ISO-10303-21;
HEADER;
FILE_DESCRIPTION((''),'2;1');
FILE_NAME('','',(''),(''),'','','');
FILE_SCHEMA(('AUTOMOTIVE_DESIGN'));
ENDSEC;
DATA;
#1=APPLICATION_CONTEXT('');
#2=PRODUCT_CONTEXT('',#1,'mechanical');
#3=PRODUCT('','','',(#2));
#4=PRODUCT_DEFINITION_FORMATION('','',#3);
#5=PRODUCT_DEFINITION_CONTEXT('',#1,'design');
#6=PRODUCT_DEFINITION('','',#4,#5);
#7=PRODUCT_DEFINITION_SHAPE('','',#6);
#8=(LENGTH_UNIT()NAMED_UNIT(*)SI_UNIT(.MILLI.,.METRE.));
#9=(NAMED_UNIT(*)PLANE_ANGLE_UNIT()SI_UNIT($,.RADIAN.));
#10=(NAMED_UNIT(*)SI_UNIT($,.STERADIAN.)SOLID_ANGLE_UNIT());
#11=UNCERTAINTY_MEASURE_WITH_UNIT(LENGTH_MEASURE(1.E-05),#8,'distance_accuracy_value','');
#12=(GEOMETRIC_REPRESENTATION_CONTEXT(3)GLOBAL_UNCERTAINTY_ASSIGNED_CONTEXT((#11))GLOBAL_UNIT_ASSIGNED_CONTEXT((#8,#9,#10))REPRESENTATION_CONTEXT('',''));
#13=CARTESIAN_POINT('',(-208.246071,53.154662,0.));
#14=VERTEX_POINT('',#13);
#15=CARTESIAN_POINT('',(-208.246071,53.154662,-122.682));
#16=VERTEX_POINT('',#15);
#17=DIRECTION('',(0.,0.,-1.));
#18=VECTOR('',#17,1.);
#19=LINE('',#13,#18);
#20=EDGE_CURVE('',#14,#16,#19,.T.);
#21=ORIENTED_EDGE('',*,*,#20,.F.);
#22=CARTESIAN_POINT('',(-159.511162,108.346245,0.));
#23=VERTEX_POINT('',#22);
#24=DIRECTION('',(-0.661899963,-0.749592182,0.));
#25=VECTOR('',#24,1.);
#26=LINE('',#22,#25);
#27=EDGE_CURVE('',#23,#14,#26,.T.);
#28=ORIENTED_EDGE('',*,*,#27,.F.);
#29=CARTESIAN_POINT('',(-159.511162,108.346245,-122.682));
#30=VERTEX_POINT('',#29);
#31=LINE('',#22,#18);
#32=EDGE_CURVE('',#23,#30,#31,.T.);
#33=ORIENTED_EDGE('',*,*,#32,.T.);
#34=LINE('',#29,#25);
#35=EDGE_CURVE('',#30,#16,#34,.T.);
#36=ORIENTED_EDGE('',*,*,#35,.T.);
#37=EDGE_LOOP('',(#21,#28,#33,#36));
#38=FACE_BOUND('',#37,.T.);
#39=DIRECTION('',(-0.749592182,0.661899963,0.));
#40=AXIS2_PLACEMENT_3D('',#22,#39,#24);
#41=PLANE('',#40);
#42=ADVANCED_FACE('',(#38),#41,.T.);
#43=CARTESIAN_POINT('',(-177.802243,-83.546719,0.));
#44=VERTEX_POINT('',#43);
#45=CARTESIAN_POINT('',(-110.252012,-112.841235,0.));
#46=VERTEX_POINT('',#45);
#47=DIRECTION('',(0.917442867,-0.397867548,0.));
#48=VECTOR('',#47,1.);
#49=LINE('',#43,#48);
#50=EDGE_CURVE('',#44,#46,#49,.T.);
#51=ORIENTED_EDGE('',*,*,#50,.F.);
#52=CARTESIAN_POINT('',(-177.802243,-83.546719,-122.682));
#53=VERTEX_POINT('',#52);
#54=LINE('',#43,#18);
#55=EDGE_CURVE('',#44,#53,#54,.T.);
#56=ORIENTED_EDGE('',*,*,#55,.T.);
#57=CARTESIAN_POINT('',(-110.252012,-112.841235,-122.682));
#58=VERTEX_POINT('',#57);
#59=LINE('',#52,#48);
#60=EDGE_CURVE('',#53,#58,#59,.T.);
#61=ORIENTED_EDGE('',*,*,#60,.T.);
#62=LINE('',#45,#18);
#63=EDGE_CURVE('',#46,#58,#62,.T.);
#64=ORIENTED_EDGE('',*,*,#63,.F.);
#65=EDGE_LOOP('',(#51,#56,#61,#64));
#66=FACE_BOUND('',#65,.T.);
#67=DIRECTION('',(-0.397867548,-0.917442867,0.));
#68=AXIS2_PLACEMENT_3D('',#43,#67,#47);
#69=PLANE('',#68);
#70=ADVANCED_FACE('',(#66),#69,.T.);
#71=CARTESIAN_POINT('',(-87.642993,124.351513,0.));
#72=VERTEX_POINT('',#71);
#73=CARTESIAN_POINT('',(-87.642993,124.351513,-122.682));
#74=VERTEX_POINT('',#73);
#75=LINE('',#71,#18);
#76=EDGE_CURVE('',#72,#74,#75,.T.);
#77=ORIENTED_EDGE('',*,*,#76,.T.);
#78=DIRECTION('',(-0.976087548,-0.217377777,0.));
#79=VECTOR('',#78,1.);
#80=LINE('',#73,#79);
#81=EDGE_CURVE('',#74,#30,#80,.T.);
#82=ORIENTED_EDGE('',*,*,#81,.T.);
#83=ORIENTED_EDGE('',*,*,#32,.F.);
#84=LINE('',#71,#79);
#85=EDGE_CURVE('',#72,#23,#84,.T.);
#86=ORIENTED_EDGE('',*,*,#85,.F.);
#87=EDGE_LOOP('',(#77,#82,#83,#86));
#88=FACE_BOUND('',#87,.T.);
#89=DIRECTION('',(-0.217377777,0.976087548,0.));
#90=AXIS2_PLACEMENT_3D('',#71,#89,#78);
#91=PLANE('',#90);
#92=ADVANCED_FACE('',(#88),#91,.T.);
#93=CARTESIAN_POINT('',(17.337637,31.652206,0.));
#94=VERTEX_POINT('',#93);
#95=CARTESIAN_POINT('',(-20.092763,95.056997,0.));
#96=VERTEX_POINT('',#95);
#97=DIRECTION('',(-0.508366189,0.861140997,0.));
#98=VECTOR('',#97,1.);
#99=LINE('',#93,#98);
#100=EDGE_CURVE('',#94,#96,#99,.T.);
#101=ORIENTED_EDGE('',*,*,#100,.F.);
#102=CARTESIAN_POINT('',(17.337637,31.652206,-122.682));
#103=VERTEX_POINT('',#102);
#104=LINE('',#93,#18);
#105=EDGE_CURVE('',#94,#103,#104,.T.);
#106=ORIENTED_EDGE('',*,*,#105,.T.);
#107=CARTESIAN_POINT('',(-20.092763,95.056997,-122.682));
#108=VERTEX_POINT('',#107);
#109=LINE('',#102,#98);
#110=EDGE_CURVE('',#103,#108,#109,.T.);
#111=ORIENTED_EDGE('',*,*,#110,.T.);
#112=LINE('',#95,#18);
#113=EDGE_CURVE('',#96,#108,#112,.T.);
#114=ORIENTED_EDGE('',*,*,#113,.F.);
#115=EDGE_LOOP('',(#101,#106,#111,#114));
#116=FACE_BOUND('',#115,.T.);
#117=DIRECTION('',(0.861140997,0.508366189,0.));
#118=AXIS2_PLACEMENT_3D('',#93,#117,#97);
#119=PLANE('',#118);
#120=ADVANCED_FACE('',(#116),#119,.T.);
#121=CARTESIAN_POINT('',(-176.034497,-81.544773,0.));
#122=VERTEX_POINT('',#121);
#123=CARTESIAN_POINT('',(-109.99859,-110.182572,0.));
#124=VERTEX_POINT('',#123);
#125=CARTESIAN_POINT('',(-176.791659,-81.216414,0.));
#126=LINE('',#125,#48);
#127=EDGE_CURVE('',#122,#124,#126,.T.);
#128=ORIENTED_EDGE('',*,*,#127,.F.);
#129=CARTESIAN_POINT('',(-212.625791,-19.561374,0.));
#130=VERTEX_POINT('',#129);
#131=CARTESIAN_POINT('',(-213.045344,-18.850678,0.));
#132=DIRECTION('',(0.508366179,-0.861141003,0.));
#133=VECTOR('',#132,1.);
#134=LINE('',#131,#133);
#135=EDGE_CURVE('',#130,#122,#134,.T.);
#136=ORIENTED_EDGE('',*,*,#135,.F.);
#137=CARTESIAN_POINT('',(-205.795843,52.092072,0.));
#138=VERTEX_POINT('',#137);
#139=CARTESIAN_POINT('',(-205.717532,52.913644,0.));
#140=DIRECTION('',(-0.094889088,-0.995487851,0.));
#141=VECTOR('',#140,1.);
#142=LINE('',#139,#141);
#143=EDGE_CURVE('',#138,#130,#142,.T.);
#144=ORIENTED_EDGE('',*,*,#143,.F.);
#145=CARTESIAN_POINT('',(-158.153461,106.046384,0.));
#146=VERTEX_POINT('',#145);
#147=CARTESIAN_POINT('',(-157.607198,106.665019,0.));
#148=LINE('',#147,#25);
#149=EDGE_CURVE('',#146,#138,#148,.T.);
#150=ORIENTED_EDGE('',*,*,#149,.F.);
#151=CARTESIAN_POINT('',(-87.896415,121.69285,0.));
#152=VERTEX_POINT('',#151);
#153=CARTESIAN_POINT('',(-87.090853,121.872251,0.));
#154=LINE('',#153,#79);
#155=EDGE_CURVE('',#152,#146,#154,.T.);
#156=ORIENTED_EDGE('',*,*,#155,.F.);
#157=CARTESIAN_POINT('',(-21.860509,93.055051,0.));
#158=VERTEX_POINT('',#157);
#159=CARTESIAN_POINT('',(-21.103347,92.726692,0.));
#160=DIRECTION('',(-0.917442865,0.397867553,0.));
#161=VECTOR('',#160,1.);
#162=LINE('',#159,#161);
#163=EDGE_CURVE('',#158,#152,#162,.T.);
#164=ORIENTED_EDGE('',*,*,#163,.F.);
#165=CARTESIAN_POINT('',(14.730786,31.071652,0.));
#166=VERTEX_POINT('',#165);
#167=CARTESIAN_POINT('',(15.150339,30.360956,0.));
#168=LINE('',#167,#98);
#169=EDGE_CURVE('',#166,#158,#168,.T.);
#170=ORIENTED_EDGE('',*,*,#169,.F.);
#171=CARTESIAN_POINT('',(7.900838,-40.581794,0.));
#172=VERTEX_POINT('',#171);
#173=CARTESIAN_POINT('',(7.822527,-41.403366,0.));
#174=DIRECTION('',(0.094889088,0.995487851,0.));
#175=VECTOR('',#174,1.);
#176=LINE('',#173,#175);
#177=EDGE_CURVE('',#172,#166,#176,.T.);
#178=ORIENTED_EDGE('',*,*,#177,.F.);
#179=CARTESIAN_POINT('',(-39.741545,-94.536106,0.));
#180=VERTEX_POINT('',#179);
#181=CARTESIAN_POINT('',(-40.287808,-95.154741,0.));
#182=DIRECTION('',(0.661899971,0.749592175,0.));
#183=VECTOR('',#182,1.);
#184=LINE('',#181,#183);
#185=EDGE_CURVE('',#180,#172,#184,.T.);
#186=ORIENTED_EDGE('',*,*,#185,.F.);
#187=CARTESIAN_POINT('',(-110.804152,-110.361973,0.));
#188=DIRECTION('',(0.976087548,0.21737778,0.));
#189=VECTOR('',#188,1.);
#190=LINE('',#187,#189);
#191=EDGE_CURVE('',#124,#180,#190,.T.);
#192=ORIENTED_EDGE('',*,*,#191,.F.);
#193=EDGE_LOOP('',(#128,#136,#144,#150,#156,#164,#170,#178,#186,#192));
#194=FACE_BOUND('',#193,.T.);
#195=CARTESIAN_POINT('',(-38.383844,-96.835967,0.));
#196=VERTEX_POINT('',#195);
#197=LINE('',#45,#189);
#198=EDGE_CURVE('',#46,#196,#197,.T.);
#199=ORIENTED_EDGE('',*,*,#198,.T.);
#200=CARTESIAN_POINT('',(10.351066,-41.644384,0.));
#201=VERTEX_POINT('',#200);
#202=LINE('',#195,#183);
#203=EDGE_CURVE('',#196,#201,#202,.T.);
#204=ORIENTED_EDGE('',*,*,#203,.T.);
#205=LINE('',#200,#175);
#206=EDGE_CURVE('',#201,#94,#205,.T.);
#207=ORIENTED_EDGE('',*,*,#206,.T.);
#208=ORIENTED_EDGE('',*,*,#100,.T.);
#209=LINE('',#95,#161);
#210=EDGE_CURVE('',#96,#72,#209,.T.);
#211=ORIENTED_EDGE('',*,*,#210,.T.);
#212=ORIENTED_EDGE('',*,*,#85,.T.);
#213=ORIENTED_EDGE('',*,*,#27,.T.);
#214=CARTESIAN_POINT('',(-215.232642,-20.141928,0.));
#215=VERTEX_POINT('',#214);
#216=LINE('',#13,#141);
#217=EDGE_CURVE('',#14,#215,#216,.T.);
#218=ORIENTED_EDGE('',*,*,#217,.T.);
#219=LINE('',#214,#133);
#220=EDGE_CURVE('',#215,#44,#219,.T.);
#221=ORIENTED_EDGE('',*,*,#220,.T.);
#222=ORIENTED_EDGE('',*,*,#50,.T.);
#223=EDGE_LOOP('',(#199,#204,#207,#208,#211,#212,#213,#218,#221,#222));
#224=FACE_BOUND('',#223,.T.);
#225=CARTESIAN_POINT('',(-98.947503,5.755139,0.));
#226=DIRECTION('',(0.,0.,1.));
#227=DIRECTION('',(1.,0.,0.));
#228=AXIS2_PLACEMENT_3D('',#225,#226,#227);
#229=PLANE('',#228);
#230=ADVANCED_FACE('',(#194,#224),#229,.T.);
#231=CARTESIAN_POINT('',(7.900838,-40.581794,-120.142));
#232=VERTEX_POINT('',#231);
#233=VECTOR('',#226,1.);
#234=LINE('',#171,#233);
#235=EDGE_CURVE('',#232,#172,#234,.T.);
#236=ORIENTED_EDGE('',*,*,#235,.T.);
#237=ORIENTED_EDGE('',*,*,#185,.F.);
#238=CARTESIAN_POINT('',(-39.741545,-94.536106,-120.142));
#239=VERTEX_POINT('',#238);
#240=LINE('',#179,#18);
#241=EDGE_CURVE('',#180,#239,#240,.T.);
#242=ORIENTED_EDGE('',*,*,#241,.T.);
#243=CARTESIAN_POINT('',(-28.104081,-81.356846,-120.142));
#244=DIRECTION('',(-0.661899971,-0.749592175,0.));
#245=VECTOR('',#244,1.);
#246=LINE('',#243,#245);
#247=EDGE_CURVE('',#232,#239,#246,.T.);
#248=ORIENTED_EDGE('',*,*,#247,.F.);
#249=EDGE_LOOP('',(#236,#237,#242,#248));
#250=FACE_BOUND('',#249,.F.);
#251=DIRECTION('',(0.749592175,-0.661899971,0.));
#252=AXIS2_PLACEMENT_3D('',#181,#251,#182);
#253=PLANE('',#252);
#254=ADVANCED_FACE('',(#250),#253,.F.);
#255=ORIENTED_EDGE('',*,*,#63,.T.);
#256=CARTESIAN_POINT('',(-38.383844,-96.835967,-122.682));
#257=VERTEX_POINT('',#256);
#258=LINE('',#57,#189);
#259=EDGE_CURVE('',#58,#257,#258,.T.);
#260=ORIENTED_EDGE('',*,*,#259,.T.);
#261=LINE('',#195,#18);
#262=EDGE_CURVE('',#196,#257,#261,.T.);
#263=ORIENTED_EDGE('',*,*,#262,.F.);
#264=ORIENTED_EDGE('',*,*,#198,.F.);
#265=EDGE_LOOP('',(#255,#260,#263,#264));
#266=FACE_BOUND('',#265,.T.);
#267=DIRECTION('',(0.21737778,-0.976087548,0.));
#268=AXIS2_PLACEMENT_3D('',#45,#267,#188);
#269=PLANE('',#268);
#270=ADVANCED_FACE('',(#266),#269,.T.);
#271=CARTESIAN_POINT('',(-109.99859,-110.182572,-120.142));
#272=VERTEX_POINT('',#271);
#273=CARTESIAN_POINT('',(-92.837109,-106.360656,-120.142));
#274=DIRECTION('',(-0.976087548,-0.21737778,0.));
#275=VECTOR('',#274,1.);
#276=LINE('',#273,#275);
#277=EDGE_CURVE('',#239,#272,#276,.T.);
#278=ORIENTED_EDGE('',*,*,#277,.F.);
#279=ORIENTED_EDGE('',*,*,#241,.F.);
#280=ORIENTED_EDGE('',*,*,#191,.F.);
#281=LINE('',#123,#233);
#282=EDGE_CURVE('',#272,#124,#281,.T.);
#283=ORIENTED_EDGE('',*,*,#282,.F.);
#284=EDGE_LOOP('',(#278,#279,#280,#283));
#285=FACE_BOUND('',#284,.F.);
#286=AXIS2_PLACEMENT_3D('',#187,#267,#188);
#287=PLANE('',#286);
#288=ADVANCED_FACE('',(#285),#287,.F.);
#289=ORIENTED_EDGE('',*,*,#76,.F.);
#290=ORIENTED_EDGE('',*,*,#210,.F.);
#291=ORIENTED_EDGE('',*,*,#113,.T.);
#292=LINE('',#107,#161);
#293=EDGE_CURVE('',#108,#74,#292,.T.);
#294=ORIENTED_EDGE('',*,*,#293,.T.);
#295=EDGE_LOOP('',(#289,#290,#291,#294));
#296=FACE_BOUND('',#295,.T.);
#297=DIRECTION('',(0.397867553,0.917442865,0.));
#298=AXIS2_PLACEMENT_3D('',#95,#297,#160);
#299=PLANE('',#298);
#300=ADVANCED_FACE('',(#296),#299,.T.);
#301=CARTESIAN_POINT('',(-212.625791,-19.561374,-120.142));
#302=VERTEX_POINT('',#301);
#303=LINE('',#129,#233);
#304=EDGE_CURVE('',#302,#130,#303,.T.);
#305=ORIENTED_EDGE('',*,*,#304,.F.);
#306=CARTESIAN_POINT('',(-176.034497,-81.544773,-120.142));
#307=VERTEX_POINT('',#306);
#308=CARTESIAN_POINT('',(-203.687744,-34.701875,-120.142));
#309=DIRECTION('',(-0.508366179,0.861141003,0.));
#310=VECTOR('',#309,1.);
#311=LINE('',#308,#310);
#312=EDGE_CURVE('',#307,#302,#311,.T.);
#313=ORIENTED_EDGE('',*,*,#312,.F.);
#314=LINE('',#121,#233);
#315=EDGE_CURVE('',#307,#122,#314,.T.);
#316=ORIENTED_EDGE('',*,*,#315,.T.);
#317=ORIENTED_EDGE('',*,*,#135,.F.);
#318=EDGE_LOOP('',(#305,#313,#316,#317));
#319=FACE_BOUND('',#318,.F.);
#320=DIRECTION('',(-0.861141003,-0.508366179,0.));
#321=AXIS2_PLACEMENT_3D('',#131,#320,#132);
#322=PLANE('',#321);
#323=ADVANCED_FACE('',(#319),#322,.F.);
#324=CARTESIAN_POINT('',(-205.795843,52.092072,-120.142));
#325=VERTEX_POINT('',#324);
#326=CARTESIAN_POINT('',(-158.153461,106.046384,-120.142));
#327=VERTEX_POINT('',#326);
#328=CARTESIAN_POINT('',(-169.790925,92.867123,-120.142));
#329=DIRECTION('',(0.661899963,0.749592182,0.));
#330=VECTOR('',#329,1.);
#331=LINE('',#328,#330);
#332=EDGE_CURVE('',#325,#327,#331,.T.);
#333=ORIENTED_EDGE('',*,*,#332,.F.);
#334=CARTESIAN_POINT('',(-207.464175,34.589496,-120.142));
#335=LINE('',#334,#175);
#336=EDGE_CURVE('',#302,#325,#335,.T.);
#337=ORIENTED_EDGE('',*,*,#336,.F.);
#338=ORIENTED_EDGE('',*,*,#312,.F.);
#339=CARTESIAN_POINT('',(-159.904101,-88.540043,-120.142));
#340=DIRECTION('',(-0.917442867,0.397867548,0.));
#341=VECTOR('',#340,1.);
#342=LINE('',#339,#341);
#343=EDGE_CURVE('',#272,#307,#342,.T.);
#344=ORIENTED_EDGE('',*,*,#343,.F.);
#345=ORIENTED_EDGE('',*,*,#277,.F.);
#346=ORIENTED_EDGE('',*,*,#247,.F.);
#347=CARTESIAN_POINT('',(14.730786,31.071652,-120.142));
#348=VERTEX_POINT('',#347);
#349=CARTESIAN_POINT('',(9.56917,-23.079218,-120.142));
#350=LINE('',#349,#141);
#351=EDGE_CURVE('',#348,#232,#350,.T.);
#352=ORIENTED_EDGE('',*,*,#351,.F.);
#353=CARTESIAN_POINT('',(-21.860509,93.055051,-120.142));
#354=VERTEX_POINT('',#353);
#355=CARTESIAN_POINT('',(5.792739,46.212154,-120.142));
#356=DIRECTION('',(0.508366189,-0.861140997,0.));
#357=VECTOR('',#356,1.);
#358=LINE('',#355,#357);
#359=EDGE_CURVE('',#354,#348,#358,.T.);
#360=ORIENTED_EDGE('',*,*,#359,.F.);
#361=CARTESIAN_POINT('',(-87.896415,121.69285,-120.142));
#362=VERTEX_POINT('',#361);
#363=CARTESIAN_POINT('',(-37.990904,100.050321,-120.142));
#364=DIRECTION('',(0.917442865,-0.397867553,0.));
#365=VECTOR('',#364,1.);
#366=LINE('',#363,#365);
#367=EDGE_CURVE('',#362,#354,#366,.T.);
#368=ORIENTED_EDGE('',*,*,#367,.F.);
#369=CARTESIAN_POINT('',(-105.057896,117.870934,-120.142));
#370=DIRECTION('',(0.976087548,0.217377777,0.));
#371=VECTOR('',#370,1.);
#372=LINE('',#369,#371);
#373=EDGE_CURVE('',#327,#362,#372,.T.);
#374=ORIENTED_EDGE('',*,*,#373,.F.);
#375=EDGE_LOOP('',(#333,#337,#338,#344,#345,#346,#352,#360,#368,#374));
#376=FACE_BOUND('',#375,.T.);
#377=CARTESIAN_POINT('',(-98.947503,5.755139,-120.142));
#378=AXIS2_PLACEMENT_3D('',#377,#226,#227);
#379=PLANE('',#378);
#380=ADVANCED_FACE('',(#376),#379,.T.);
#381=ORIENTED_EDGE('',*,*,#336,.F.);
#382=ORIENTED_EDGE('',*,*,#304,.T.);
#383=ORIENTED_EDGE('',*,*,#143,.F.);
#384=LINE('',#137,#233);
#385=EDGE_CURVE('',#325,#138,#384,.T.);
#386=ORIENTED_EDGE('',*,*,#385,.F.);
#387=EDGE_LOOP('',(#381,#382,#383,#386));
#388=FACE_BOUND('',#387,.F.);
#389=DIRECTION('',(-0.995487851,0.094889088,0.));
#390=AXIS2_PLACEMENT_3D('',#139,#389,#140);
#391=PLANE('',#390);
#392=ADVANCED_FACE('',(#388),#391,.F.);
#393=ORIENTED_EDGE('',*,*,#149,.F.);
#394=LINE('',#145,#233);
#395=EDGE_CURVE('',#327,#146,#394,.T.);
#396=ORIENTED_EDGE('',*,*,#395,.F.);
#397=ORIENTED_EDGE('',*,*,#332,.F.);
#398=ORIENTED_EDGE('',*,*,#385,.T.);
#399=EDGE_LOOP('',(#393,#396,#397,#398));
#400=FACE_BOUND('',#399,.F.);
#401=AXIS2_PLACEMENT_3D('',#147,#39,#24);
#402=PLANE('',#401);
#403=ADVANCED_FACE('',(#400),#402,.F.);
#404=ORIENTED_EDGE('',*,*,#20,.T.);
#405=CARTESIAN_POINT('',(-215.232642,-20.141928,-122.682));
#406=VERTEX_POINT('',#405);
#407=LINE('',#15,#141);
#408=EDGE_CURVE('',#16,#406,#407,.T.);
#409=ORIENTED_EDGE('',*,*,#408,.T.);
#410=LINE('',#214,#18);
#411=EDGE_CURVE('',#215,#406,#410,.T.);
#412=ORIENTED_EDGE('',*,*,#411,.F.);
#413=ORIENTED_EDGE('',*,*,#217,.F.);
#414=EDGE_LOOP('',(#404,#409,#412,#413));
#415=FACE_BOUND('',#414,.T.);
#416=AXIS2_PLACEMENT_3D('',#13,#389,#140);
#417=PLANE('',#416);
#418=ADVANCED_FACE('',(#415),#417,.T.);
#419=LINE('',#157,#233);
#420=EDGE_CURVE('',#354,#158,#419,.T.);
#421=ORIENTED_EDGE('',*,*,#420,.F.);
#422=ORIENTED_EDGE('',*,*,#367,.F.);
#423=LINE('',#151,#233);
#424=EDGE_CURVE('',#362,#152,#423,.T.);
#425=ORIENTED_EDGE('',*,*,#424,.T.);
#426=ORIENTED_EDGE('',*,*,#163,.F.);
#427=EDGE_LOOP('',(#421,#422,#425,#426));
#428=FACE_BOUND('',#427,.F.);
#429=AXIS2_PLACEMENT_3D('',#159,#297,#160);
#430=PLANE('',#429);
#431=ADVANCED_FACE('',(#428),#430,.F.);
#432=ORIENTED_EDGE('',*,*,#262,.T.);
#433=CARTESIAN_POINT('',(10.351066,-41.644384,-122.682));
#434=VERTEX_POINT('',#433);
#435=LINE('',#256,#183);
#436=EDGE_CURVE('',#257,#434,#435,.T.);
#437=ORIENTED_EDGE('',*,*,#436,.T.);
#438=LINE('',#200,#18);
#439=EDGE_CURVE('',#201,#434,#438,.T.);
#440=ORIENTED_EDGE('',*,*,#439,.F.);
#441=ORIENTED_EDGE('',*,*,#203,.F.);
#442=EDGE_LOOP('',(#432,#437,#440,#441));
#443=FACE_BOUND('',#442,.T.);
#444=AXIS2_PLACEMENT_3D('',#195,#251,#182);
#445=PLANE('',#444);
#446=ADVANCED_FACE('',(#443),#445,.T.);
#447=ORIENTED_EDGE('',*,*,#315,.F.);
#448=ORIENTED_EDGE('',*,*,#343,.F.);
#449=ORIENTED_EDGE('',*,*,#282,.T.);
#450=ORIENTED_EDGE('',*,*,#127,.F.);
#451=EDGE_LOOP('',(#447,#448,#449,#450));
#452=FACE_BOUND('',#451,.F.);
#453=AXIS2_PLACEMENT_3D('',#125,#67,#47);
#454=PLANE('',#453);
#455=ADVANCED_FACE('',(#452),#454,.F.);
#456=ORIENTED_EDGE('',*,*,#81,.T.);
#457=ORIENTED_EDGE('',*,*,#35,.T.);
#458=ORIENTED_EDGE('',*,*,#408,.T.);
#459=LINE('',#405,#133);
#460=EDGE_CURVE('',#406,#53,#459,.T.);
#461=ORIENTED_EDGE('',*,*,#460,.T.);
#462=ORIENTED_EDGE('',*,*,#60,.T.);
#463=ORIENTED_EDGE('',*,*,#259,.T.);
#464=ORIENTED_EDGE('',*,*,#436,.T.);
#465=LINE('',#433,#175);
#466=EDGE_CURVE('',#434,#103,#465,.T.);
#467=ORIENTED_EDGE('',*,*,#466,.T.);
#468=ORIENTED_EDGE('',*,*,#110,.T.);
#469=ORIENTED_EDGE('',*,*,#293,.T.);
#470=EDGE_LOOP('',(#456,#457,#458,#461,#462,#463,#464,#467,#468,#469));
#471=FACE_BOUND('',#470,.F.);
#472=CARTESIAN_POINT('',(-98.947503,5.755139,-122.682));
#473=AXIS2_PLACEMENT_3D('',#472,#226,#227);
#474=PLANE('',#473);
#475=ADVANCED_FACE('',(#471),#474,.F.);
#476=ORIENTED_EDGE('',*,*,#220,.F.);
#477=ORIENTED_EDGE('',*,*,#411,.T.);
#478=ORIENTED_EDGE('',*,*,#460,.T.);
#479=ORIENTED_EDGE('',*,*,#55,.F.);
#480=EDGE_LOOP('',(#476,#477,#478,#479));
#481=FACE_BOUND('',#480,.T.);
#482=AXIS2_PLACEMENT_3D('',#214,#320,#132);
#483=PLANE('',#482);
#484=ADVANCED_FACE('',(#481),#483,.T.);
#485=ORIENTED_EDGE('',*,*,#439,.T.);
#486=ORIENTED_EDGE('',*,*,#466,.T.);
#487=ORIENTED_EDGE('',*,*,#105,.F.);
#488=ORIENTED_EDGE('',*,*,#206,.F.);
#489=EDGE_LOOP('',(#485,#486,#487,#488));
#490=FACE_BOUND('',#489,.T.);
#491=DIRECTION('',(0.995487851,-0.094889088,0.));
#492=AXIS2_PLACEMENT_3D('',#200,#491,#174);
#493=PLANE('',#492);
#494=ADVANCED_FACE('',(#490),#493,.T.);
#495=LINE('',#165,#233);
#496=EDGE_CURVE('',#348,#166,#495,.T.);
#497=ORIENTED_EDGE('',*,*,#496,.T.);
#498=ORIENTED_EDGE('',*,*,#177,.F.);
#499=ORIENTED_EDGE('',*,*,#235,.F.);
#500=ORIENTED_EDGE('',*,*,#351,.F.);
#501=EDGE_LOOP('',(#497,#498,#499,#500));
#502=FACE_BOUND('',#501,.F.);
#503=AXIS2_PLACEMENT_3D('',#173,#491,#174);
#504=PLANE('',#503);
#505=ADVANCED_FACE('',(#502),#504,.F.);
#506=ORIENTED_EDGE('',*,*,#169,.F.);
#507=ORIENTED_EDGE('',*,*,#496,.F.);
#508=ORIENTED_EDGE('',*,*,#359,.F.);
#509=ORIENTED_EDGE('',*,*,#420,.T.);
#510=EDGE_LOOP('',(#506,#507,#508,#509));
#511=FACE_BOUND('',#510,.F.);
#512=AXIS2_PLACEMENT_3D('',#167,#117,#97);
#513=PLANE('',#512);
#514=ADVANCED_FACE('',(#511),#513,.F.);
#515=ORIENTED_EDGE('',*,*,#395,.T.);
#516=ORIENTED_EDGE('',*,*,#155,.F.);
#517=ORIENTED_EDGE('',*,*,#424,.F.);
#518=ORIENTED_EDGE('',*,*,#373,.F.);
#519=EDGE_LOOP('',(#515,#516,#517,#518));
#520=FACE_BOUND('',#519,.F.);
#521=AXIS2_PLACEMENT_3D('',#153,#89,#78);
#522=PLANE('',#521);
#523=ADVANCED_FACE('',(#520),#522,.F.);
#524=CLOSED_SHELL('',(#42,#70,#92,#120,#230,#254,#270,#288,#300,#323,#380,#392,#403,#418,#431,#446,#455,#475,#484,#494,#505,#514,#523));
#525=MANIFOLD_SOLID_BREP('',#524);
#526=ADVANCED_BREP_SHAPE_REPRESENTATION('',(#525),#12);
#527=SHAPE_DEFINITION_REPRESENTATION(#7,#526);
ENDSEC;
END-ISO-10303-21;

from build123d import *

# Parameters (mm, degrees)
F1_DEPTH = 122.682
F2_T     = -2.54


with BuildPart() as f1:
    # F0 (on Top) → F1 (new body)
    with BuildSketch(Plane.XY):
        Polygon((-38.383844, -96.835967), (10.351066, -41.644384), (17.337637, 31.652206), (-20.092763, 95.056997), (-87.642993, 124.351513), (-159.511162, 108.346245), (-208.246071, 53.154662), (-215.232642, -20.141928), (-177.802243, -83.546719), (-110.252012, -112.841235), align=None)
    extrude(amount=-F1_DEPTH)

    # F2
    f2_openings = [f1.faces().sort_by_distance(p)[0] for p in [
        (-98.947503, 5.755139, 0),
    ]]
    offset(amount=F2_T, openings=f2_openings)


solid = f1.part
